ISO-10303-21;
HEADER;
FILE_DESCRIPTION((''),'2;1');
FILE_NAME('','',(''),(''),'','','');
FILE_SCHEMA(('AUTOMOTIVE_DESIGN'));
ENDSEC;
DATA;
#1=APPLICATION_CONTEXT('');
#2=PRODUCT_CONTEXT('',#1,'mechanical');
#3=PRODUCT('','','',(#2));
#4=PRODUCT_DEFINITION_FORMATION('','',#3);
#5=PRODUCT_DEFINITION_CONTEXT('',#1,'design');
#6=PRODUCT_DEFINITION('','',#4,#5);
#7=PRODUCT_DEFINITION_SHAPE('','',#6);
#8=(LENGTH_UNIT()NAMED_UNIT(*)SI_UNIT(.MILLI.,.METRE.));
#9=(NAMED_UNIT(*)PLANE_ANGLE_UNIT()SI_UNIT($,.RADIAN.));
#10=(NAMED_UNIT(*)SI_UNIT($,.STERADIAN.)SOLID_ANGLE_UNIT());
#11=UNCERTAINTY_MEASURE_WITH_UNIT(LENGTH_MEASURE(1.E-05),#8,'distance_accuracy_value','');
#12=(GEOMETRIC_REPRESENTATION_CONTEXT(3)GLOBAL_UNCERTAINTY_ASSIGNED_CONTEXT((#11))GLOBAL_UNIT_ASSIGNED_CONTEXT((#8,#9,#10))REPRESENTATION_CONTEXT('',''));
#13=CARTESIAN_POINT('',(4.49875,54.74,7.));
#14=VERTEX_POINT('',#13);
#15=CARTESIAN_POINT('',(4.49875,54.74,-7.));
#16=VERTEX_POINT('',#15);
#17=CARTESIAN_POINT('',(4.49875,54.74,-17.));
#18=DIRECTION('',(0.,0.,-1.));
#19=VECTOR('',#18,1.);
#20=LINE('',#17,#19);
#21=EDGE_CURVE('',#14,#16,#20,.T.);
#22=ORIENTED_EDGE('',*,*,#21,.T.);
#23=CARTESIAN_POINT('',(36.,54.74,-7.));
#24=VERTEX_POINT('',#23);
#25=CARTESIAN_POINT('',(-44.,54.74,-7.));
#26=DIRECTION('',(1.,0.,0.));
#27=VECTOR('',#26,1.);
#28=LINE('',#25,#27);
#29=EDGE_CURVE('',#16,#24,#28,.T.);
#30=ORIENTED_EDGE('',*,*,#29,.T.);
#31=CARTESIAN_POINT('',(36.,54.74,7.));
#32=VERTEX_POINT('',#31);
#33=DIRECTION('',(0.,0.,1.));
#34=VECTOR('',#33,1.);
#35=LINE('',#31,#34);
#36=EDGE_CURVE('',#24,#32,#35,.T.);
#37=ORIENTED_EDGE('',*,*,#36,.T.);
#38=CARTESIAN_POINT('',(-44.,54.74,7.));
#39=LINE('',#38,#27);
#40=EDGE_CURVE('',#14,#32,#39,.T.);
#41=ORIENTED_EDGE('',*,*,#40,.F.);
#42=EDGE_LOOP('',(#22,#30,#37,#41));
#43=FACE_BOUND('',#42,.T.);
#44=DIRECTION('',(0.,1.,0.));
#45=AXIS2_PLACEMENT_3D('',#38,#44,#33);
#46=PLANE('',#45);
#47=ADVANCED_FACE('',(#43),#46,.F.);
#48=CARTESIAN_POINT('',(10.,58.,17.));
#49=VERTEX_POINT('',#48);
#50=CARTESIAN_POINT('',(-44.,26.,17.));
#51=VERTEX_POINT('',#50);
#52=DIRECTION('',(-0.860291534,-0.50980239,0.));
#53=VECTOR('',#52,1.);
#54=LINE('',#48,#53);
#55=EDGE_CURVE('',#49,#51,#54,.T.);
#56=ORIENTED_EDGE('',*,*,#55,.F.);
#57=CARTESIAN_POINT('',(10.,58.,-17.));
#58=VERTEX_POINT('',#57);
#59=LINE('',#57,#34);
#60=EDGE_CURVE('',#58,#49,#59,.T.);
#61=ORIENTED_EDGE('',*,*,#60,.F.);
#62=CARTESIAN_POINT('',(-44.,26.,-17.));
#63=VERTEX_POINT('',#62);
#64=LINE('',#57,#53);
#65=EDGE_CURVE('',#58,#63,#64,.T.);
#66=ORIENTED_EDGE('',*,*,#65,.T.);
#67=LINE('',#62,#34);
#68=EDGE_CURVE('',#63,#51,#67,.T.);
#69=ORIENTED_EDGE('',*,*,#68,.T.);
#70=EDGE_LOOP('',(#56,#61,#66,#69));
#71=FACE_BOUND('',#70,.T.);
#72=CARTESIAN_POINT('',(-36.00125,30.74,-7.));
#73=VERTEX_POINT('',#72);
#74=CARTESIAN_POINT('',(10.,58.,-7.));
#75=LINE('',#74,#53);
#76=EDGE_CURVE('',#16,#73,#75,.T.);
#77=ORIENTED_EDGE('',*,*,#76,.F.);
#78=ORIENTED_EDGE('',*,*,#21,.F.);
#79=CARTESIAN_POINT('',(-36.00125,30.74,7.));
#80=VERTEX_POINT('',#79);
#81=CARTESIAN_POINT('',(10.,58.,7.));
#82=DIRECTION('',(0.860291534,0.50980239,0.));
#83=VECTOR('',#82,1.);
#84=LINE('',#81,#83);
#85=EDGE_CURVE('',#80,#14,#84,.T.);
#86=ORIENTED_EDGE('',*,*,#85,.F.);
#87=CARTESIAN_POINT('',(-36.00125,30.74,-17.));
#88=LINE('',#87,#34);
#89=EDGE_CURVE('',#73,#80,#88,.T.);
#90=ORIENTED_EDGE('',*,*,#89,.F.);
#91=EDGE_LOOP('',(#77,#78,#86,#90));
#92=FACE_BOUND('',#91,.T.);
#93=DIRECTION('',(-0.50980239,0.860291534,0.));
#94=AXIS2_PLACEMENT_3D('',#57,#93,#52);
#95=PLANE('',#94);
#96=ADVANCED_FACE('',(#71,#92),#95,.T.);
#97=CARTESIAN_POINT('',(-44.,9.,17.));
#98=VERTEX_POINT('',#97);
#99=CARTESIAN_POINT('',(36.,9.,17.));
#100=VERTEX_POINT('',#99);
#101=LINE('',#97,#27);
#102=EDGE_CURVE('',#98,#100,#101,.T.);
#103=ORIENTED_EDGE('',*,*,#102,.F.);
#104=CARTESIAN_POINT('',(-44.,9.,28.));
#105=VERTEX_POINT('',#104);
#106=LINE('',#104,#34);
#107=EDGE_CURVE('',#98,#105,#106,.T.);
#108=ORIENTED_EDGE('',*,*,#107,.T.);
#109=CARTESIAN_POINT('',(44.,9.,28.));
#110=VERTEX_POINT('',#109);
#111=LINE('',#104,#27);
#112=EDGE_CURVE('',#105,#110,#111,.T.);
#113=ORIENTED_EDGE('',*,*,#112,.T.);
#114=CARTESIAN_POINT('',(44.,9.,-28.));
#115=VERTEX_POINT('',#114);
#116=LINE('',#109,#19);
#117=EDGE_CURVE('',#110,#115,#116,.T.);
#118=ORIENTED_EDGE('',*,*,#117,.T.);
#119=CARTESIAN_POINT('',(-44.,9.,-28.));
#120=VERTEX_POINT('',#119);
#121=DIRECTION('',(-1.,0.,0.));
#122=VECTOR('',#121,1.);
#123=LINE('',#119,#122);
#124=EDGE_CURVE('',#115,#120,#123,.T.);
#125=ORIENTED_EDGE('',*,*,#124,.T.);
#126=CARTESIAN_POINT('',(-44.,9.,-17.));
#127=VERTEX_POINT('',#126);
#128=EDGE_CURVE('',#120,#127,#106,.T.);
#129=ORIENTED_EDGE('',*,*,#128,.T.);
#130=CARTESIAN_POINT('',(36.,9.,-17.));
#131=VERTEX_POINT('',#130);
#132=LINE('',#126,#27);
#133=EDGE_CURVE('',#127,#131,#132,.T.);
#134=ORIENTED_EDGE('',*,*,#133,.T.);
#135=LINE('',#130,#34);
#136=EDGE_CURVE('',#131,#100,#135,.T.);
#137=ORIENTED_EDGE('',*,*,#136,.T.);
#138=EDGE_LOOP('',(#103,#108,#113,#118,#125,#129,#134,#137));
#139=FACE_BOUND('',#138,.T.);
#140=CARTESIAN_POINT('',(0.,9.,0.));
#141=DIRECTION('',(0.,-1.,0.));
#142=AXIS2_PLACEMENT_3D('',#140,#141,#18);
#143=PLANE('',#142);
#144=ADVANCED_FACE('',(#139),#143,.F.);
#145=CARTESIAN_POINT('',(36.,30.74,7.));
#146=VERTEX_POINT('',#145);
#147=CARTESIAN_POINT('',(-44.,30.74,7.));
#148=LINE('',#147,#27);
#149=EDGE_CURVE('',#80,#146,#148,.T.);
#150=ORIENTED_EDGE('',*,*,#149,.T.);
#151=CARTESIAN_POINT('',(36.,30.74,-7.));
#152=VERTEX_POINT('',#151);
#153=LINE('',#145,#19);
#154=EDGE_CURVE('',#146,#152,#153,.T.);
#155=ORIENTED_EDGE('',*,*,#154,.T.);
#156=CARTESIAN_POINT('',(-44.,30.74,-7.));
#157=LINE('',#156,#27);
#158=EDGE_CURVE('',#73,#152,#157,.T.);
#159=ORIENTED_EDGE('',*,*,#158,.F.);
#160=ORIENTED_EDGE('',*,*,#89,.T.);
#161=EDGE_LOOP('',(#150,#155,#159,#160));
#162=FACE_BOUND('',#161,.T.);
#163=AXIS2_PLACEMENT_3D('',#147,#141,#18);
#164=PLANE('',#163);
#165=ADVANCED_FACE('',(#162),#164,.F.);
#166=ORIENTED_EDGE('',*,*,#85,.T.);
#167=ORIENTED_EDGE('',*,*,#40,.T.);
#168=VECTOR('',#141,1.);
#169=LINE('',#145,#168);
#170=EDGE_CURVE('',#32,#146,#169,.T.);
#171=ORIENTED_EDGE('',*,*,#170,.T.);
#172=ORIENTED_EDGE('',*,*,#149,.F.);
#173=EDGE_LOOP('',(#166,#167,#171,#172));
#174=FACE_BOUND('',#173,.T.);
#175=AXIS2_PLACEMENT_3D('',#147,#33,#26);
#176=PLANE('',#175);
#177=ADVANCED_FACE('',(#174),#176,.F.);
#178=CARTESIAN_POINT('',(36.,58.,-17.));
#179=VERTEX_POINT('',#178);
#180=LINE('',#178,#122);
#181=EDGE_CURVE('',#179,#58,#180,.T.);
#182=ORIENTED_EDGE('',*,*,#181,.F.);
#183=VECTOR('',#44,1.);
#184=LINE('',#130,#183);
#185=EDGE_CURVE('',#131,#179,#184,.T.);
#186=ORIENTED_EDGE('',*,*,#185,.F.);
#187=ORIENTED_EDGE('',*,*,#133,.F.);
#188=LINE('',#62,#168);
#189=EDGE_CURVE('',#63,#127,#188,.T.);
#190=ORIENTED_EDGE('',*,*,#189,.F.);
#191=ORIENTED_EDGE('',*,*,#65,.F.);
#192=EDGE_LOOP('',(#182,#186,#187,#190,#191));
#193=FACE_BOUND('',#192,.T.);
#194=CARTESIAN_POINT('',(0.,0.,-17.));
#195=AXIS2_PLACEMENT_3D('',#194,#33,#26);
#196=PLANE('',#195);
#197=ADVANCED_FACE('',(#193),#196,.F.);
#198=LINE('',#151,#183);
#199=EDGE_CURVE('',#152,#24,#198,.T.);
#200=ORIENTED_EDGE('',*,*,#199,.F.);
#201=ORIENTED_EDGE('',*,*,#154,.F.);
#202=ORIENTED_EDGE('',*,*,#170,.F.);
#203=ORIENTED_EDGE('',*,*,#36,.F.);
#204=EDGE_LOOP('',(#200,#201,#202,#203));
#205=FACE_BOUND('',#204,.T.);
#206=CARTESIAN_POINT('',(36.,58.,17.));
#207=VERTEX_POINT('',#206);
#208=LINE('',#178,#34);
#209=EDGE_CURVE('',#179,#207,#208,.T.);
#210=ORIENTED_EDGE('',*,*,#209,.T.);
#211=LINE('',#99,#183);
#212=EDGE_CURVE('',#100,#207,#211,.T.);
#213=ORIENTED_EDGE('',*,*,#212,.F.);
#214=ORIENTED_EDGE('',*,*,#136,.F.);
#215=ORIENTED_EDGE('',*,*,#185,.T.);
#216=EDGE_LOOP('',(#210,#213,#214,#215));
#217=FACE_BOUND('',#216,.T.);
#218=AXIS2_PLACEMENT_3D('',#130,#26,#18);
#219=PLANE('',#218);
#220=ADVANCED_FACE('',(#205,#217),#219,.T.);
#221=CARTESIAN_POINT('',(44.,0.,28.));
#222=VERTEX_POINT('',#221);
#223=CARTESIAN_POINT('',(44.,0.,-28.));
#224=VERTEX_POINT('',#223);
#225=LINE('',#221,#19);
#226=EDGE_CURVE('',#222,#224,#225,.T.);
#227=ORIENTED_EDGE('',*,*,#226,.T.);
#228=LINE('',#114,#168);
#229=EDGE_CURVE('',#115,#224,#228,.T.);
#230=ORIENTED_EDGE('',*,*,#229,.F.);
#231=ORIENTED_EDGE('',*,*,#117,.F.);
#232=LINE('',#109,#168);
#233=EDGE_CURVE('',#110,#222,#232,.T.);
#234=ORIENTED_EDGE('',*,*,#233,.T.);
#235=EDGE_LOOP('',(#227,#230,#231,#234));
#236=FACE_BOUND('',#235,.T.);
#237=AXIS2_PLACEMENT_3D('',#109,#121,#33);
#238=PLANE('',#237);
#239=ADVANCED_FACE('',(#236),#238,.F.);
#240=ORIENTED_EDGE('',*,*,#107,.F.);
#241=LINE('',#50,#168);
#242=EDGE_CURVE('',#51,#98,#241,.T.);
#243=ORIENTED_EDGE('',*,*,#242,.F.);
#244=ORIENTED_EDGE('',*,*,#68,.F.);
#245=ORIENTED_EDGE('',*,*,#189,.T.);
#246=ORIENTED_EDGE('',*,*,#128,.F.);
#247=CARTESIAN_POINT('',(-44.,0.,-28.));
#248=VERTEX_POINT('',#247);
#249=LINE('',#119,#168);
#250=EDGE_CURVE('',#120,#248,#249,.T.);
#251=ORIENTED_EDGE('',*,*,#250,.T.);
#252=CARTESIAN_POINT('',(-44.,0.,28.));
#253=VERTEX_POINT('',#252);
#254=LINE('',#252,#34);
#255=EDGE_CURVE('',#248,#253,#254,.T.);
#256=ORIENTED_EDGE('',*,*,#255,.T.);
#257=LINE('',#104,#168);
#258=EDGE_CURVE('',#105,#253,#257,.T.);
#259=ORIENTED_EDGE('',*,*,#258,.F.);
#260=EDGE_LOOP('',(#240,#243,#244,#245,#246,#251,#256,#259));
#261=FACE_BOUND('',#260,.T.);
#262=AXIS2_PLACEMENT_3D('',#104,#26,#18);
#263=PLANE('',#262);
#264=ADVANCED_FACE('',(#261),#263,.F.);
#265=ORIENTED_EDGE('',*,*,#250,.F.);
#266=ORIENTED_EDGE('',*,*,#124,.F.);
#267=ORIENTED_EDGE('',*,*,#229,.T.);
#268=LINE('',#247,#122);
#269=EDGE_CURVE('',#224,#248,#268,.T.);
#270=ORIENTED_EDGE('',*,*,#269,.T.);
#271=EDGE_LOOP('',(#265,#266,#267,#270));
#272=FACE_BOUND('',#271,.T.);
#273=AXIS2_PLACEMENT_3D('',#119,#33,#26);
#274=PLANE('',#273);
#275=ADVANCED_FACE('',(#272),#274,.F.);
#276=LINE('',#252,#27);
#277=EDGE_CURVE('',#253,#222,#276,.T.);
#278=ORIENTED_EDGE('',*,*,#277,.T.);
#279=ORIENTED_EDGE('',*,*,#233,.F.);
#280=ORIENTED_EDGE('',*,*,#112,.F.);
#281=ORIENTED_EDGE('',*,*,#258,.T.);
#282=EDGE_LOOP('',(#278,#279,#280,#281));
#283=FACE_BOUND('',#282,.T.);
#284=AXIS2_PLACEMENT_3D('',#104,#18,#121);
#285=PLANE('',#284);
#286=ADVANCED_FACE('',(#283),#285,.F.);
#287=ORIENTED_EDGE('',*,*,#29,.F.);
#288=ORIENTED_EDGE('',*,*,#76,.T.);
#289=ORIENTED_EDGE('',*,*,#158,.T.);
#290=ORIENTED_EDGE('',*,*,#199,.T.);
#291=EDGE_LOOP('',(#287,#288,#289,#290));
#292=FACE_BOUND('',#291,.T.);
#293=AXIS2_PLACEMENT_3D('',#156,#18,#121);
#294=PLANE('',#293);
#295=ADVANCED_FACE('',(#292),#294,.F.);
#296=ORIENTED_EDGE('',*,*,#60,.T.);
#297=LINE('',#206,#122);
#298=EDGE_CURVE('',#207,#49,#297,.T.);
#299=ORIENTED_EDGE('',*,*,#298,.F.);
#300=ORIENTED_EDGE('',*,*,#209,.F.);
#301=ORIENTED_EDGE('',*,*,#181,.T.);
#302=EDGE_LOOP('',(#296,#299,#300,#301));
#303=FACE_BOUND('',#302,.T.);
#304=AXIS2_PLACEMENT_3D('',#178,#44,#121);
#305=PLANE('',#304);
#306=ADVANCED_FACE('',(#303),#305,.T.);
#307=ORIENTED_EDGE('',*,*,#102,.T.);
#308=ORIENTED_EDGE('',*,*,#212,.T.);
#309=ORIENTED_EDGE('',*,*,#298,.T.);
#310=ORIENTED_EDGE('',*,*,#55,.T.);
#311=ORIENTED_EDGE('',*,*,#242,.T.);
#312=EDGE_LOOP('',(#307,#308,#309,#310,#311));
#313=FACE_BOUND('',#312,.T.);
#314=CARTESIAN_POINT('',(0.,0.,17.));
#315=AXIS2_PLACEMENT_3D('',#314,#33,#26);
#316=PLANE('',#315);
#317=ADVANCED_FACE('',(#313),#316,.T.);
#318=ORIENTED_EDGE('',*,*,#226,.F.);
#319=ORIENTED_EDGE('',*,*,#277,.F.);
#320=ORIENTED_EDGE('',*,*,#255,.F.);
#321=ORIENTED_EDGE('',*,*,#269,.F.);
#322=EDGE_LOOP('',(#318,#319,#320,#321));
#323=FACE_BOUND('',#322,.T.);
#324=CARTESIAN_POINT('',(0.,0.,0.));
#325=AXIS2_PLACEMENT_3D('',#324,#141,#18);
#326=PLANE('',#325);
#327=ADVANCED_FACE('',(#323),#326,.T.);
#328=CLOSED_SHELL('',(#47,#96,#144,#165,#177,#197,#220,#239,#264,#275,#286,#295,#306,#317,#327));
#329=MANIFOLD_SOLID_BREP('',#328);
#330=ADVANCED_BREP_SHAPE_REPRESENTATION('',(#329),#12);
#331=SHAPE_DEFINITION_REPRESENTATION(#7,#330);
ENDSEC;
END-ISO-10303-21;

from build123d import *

# Parameters (mm, degrees)
SKETCH1_W           = 88
SKETCH1_H           = 56
BOSS_EXTRUDE1_DEPTH = 9
BOSS_EXTRUDE2_DEPTH = 34
SKETCH3_W           = 14
SKETCH3_H           = 24
CUT_EXTRUDE1_DEPTH  = 103.703456612


with BuildPart() as part:
    # Sketch1 → Boss-Extrude1 (new body)
    with BuildSketch(Plane(origin=(0, 0, 0), x_dir=(1, 0, 0), z_dir=(0, 1, 0))):
        Rectangle(SKETCH1_W, SKETCH1_H)
    extrude(amount=BOSS_EXTRUDE1_DEPTH)

    # Sketch2 → Boss-Extrude2 (add)
    with BuildSketch(Plane.XY.offset(17)):
        Polygon((-44, 9), (36, 9), (36, 58), (10, 58), (-44, 26), align=None)
    extrude(amount=-BOSS_EXTRUDE2_DEPTH)

    # Sketch3 → Cut-Extrude1 (cut, through all)
    with BuildSketch(Plane(origin=(36, 0, 0), x_dir=(0, 0, -1), z_dir=(1, 0, 0))):
        with Locations((0, 42.74)):
            Rectangle(SKETCH3_W, SKETCH3_H)
    extrude(amount=-CUT_EXTRUDE1_DEPTH, mode=Mode.SUBTRACT)


solid = part.part
